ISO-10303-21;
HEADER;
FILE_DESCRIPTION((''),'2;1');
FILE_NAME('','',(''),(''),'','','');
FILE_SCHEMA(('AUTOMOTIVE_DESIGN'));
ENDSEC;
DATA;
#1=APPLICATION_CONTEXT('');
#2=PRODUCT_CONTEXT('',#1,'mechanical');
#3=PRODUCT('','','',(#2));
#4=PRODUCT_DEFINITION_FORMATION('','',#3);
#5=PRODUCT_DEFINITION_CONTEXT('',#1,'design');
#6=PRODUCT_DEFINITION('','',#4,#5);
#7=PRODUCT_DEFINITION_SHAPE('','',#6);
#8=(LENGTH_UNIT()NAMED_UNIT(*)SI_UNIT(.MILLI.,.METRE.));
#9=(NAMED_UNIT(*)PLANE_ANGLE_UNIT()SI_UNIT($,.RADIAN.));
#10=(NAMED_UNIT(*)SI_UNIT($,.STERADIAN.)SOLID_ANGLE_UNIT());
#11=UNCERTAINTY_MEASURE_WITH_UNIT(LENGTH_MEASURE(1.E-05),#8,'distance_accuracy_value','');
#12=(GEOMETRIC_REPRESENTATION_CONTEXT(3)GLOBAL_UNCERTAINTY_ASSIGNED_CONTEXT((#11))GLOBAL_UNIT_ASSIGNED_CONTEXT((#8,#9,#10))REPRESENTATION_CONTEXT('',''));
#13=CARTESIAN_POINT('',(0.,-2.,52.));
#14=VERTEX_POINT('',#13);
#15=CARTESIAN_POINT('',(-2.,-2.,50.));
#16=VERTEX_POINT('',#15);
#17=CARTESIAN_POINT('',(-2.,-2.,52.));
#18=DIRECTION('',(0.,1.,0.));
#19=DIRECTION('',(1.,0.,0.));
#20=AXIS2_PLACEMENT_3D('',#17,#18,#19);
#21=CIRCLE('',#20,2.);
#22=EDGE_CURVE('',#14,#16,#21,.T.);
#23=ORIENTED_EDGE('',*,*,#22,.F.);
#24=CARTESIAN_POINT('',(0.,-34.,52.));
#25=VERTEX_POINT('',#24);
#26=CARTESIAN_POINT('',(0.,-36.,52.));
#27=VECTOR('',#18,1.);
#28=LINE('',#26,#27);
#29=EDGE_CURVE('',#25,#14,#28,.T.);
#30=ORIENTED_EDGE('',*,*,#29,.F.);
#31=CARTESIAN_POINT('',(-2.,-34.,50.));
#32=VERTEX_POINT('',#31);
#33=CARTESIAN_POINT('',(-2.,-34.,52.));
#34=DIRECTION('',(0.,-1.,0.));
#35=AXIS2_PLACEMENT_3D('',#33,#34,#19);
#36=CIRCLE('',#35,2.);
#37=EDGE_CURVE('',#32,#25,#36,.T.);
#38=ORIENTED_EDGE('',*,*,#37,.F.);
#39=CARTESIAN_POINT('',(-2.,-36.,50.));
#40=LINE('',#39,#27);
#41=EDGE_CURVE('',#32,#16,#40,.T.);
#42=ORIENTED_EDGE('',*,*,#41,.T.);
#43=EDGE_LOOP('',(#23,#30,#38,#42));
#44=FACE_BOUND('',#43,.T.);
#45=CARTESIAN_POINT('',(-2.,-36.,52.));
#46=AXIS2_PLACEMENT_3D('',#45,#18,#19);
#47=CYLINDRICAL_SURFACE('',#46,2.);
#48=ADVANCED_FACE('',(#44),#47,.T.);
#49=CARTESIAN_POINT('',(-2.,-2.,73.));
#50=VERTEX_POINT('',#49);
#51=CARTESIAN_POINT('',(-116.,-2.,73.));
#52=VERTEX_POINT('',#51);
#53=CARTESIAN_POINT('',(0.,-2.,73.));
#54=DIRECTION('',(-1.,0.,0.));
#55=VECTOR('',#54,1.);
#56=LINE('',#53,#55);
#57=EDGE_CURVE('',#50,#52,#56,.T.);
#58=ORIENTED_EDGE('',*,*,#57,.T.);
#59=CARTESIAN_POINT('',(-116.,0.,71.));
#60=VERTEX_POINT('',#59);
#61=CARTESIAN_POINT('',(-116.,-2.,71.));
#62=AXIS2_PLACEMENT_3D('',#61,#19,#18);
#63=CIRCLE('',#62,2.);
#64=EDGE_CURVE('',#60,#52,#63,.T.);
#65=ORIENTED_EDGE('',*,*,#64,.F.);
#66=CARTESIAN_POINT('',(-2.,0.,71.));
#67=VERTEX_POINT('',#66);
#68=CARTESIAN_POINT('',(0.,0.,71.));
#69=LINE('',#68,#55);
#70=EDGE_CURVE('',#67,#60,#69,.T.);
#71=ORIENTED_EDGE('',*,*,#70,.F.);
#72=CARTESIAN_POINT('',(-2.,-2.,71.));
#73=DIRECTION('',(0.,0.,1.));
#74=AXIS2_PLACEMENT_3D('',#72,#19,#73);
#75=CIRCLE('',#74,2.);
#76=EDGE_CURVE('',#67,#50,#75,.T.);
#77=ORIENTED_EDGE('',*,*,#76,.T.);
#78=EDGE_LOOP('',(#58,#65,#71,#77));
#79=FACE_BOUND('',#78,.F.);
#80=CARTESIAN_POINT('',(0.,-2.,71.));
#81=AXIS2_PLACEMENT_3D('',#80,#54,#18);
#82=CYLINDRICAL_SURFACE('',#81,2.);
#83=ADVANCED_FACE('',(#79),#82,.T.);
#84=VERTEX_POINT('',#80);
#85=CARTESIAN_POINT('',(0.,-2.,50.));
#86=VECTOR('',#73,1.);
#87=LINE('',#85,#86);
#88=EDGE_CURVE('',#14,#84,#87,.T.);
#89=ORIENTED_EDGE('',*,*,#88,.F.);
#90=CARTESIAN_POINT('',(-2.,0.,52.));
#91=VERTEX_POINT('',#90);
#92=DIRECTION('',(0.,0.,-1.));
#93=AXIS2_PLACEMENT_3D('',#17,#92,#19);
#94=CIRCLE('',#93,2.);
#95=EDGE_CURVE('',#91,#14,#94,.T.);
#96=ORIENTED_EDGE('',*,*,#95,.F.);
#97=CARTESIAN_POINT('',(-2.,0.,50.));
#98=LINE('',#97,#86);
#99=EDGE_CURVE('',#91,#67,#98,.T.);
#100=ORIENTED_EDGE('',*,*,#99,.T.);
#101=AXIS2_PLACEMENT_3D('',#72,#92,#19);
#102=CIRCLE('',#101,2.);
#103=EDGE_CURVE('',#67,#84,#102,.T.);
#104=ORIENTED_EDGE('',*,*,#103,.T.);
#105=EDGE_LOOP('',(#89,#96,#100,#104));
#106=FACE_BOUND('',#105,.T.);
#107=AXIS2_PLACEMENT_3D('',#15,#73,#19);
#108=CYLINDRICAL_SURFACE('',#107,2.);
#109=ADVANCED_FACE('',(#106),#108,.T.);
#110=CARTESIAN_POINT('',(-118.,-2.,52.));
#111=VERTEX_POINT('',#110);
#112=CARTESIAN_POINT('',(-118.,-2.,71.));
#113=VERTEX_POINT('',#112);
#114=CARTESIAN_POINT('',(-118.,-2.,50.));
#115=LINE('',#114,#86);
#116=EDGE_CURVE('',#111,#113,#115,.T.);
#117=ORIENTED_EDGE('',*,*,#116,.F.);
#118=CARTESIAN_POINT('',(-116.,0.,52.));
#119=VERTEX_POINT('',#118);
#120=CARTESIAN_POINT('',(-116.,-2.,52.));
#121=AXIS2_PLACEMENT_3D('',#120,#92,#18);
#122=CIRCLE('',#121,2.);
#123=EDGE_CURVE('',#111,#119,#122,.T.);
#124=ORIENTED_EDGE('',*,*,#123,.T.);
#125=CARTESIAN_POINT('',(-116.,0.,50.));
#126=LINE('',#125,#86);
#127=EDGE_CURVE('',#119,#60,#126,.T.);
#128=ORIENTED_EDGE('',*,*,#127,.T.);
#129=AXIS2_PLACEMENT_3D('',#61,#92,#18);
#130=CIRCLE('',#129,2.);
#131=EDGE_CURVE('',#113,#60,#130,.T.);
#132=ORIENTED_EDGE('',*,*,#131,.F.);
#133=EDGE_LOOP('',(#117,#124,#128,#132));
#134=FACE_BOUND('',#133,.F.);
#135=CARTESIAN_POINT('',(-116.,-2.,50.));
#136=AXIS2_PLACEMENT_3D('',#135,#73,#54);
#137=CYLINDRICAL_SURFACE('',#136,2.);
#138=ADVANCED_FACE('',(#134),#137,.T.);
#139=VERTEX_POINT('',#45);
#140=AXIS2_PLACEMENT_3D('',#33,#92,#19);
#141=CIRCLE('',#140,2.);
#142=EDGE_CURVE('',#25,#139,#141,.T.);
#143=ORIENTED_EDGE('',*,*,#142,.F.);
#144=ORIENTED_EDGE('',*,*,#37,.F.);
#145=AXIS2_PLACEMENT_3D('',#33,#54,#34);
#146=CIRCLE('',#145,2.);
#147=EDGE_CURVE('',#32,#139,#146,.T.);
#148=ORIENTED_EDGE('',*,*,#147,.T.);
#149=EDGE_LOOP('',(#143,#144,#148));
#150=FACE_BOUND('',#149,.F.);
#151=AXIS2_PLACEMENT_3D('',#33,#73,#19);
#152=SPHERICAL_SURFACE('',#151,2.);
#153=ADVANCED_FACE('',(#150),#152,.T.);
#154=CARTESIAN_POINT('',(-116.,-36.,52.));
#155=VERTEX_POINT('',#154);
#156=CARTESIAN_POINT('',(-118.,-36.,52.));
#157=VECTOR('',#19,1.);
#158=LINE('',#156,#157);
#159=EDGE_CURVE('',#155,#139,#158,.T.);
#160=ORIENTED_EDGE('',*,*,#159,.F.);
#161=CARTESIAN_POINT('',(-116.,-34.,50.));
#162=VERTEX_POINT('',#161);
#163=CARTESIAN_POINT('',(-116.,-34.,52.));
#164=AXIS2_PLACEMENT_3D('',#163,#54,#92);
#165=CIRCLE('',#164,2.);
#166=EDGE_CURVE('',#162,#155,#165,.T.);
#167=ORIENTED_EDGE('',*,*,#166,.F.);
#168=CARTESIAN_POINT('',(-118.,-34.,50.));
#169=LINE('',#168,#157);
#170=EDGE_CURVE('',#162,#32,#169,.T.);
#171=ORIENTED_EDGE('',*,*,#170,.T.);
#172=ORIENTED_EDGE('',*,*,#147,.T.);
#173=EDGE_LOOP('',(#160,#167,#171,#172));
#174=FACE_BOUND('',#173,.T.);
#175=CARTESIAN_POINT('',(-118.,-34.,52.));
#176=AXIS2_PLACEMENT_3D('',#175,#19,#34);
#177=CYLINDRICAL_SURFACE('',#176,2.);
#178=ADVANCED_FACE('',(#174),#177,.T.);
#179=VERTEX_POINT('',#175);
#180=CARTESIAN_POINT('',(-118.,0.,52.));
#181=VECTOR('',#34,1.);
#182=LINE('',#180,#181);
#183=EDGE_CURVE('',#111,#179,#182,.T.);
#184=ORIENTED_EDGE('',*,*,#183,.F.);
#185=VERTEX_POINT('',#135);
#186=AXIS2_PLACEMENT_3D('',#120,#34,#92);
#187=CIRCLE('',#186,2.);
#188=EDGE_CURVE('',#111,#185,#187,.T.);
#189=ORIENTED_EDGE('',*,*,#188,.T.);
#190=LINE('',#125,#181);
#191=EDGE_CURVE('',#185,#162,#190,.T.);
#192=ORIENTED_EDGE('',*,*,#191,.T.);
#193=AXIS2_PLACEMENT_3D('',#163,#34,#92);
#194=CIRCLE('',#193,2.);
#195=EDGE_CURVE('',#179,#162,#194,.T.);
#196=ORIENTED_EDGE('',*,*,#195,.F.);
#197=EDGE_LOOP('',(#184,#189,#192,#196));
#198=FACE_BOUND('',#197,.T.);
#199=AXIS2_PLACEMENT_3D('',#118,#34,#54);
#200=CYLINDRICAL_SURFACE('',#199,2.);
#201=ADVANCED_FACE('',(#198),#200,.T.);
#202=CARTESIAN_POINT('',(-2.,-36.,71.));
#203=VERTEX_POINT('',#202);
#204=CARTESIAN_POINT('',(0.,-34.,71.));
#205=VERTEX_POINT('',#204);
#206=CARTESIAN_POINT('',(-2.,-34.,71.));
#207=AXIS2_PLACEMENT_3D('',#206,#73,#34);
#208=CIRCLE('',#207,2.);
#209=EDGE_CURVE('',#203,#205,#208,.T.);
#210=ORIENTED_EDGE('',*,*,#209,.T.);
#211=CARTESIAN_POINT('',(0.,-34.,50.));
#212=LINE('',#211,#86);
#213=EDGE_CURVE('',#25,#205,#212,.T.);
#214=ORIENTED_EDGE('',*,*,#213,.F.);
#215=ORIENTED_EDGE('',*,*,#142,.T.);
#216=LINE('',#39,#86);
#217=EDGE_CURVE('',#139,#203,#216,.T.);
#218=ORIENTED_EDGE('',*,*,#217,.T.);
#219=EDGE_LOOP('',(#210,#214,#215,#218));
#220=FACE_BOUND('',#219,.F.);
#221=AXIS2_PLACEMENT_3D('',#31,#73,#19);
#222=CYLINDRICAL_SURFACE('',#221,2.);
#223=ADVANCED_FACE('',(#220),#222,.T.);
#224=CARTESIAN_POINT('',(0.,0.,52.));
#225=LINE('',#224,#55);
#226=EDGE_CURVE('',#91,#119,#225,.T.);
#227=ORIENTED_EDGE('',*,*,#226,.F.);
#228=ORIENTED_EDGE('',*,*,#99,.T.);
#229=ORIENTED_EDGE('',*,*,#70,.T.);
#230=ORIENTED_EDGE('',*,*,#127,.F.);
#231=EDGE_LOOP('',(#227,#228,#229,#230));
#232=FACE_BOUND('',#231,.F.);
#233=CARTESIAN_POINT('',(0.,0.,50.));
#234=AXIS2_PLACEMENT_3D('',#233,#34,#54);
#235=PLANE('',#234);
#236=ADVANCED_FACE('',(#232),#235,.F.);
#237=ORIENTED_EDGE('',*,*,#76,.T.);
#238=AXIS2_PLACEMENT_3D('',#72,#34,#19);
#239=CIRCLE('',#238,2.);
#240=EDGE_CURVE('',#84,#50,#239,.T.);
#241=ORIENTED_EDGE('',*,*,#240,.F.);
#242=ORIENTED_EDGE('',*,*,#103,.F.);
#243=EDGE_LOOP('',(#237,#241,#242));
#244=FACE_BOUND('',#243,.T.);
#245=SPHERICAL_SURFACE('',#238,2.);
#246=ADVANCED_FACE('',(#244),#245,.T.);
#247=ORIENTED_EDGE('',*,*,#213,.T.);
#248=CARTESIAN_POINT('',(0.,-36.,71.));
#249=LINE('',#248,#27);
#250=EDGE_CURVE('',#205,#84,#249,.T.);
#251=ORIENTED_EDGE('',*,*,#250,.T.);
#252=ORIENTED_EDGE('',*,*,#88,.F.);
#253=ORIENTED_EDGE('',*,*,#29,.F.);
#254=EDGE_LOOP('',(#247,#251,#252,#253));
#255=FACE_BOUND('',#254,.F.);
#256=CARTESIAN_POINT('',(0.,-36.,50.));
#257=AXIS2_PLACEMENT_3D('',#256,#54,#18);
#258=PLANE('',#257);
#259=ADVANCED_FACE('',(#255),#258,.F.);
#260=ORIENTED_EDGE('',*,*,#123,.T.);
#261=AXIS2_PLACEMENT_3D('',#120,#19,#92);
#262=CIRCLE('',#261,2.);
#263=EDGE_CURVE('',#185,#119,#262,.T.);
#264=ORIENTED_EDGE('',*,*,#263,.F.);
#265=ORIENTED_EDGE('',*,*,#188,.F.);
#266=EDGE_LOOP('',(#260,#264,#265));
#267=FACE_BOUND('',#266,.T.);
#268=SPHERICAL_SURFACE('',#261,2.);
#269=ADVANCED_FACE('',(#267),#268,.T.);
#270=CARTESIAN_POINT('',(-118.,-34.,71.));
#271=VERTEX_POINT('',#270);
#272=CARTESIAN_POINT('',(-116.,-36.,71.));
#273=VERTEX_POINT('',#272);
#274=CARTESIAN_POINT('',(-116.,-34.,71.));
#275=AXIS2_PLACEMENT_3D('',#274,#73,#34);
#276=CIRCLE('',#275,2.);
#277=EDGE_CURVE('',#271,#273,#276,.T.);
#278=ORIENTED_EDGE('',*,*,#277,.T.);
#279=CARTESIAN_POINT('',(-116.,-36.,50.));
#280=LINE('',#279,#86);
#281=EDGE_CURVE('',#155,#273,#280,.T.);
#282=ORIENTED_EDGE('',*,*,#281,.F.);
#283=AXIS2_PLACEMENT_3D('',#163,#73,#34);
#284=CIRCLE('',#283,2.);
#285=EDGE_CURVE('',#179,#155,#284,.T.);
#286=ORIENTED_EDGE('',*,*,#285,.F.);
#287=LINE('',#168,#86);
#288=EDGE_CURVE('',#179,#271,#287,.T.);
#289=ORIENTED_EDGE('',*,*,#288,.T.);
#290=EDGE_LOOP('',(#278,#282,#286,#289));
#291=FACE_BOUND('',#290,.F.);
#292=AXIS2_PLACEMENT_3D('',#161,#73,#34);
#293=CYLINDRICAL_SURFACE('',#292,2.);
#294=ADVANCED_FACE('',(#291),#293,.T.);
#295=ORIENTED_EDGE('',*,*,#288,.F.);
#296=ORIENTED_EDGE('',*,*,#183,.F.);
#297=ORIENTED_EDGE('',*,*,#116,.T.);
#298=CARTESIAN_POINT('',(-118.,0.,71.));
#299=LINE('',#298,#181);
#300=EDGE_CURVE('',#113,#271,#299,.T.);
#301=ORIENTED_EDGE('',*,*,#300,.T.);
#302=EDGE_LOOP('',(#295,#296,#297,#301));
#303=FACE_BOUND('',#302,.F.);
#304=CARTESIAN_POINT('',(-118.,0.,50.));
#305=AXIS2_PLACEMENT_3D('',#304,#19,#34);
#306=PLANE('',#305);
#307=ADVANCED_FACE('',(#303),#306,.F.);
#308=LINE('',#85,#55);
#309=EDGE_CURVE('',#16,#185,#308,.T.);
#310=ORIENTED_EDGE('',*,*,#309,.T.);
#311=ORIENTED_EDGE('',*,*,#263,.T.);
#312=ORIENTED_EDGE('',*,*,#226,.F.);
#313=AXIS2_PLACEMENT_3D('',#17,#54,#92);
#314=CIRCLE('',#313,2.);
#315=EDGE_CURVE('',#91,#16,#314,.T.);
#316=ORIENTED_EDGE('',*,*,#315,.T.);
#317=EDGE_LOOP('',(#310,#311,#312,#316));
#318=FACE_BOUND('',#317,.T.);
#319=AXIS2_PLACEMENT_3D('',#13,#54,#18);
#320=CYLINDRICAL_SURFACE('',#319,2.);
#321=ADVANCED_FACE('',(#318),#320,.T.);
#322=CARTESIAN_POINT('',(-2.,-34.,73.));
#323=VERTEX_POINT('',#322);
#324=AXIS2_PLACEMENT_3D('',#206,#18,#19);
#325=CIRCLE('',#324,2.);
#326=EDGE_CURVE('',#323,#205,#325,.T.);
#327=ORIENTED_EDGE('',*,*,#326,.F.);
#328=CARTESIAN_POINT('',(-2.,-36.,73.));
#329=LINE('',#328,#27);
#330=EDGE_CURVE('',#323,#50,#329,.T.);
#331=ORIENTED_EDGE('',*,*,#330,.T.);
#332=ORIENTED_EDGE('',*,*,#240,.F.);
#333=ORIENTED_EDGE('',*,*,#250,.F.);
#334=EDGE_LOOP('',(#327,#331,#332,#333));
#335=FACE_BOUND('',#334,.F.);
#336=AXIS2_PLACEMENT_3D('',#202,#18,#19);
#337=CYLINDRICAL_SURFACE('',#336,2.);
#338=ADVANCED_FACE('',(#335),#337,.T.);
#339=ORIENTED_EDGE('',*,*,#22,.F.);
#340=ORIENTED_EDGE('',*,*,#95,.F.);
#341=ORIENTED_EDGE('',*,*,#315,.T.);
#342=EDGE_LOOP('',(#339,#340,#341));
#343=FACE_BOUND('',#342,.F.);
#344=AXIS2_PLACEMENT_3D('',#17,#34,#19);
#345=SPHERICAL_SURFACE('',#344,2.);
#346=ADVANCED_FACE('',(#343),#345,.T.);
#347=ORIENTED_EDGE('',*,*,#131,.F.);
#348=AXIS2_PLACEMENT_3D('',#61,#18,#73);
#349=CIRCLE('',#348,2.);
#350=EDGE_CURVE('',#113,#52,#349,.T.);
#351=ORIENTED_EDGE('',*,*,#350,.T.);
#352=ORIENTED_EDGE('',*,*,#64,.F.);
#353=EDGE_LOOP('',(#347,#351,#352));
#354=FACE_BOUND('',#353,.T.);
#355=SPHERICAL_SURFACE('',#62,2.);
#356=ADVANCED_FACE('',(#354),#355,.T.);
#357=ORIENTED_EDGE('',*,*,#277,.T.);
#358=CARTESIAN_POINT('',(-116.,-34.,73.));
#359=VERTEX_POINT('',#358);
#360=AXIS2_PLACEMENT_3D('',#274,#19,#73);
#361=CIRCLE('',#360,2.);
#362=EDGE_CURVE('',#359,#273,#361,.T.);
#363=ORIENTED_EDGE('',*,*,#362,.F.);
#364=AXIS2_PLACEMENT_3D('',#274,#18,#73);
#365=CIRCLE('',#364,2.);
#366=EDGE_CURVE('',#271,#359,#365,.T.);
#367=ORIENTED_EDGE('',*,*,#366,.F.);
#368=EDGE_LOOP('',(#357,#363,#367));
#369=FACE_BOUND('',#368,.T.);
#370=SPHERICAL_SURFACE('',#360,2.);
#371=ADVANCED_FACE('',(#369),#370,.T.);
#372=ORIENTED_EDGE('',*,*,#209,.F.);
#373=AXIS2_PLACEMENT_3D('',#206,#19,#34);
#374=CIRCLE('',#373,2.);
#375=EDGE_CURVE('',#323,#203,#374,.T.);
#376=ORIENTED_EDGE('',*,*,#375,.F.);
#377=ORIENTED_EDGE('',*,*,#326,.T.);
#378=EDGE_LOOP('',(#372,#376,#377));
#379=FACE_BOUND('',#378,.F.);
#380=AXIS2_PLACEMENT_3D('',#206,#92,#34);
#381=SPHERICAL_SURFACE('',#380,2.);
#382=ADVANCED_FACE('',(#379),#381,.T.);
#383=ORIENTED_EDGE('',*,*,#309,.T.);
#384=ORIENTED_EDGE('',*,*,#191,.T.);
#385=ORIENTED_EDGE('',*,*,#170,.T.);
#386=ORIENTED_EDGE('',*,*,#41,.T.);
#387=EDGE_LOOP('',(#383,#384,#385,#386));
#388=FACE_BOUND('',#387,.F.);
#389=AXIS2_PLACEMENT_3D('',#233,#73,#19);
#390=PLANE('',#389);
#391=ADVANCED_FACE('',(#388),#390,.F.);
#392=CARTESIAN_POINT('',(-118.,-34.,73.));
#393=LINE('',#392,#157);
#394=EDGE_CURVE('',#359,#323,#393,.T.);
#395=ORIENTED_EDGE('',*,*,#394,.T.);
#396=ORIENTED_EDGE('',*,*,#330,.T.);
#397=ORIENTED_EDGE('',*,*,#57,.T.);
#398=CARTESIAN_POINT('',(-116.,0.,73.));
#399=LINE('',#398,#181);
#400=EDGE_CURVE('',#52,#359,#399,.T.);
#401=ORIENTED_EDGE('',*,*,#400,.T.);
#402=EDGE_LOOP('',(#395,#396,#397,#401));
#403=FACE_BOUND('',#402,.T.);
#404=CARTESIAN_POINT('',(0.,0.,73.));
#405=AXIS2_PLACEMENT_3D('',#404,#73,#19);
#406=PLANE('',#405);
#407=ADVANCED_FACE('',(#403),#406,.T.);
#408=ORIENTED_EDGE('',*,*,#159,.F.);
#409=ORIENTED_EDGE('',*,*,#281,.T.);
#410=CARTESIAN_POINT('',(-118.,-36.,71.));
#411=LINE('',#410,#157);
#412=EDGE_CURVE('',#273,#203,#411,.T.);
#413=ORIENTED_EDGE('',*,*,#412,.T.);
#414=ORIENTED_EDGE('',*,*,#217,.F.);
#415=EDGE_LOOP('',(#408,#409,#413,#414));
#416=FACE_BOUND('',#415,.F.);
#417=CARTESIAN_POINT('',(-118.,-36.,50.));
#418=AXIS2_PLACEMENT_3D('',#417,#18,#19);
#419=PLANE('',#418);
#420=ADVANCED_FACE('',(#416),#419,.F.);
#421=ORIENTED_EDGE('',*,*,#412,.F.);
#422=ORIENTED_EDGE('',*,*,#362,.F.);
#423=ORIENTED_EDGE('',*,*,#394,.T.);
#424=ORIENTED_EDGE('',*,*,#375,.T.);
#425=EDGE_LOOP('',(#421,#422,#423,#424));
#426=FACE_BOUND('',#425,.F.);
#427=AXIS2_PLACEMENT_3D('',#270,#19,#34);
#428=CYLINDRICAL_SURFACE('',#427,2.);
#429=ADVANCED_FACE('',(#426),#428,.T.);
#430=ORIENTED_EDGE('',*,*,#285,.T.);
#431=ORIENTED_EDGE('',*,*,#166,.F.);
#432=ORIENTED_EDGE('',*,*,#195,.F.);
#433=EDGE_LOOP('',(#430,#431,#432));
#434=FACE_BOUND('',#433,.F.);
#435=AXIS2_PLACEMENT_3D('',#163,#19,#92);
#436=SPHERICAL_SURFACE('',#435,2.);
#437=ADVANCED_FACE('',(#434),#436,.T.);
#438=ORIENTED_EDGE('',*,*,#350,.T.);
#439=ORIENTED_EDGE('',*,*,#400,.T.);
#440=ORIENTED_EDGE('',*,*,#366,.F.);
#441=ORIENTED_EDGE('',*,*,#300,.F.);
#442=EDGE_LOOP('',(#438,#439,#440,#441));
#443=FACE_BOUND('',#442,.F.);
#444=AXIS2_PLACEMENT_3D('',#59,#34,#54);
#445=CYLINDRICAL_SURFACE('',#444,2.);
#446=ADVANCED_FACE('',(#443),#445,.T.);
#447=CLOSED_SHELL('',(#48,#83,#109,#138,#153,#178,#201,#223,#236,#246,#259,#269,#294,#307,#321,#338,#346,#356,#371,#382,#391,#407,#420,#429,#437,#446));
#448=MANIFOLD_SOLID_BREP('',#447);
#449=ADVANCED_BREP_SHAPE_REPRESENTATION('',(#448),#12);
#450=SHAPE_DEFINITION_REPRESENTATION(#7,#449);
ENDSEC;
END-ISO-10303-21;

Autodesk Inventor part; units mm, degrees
ref_plane "YZ Plane" through (0, 0, 0) normal (1, 0, 0) x (0, 1, 0)
ref_plane "XZ Plane" through (0, 0, 0) normal (0, 1, 0) x (-1, 0, 0)
ref_plane "XY Plane" through (0, 0, 0) normal (0, 0, 1) x (1, 0, 0)
ref_plane "工作平面1" through (0, 0, 50) normal (0, 0, 1) x (1, 0, 0)
sketch "草图1" plane through (0, 0, 50) normal (0, 0, 1) x (1, 0, 0)
  line L0 (0, 0) -> (-118, 0)
  line L1 (-118, 0) -> (-118, -36)
  line L2 (-118, -36) -> (0, -36)
  line L3 (0, -36) -> (0, 0)
  dimension "d0" = 118
  dimension "d1" = 36
extrude "拉伸1" add sketch "草图1" along normal blind 23
fillet "圆角1" radius 2 12 edges at (0, -36, 61.5) (-59, -36, 73) (0, -18, 73) (0, -18, 50) (0, 0, 61.5) (-59, -36, 50) (-59, 0, 50) (-59, 0, 73) (-118, -18, 50) (-118, 0, 61.5) (-118, -18, 73) (-118, -36, 61.5)
properties part number "电池"
